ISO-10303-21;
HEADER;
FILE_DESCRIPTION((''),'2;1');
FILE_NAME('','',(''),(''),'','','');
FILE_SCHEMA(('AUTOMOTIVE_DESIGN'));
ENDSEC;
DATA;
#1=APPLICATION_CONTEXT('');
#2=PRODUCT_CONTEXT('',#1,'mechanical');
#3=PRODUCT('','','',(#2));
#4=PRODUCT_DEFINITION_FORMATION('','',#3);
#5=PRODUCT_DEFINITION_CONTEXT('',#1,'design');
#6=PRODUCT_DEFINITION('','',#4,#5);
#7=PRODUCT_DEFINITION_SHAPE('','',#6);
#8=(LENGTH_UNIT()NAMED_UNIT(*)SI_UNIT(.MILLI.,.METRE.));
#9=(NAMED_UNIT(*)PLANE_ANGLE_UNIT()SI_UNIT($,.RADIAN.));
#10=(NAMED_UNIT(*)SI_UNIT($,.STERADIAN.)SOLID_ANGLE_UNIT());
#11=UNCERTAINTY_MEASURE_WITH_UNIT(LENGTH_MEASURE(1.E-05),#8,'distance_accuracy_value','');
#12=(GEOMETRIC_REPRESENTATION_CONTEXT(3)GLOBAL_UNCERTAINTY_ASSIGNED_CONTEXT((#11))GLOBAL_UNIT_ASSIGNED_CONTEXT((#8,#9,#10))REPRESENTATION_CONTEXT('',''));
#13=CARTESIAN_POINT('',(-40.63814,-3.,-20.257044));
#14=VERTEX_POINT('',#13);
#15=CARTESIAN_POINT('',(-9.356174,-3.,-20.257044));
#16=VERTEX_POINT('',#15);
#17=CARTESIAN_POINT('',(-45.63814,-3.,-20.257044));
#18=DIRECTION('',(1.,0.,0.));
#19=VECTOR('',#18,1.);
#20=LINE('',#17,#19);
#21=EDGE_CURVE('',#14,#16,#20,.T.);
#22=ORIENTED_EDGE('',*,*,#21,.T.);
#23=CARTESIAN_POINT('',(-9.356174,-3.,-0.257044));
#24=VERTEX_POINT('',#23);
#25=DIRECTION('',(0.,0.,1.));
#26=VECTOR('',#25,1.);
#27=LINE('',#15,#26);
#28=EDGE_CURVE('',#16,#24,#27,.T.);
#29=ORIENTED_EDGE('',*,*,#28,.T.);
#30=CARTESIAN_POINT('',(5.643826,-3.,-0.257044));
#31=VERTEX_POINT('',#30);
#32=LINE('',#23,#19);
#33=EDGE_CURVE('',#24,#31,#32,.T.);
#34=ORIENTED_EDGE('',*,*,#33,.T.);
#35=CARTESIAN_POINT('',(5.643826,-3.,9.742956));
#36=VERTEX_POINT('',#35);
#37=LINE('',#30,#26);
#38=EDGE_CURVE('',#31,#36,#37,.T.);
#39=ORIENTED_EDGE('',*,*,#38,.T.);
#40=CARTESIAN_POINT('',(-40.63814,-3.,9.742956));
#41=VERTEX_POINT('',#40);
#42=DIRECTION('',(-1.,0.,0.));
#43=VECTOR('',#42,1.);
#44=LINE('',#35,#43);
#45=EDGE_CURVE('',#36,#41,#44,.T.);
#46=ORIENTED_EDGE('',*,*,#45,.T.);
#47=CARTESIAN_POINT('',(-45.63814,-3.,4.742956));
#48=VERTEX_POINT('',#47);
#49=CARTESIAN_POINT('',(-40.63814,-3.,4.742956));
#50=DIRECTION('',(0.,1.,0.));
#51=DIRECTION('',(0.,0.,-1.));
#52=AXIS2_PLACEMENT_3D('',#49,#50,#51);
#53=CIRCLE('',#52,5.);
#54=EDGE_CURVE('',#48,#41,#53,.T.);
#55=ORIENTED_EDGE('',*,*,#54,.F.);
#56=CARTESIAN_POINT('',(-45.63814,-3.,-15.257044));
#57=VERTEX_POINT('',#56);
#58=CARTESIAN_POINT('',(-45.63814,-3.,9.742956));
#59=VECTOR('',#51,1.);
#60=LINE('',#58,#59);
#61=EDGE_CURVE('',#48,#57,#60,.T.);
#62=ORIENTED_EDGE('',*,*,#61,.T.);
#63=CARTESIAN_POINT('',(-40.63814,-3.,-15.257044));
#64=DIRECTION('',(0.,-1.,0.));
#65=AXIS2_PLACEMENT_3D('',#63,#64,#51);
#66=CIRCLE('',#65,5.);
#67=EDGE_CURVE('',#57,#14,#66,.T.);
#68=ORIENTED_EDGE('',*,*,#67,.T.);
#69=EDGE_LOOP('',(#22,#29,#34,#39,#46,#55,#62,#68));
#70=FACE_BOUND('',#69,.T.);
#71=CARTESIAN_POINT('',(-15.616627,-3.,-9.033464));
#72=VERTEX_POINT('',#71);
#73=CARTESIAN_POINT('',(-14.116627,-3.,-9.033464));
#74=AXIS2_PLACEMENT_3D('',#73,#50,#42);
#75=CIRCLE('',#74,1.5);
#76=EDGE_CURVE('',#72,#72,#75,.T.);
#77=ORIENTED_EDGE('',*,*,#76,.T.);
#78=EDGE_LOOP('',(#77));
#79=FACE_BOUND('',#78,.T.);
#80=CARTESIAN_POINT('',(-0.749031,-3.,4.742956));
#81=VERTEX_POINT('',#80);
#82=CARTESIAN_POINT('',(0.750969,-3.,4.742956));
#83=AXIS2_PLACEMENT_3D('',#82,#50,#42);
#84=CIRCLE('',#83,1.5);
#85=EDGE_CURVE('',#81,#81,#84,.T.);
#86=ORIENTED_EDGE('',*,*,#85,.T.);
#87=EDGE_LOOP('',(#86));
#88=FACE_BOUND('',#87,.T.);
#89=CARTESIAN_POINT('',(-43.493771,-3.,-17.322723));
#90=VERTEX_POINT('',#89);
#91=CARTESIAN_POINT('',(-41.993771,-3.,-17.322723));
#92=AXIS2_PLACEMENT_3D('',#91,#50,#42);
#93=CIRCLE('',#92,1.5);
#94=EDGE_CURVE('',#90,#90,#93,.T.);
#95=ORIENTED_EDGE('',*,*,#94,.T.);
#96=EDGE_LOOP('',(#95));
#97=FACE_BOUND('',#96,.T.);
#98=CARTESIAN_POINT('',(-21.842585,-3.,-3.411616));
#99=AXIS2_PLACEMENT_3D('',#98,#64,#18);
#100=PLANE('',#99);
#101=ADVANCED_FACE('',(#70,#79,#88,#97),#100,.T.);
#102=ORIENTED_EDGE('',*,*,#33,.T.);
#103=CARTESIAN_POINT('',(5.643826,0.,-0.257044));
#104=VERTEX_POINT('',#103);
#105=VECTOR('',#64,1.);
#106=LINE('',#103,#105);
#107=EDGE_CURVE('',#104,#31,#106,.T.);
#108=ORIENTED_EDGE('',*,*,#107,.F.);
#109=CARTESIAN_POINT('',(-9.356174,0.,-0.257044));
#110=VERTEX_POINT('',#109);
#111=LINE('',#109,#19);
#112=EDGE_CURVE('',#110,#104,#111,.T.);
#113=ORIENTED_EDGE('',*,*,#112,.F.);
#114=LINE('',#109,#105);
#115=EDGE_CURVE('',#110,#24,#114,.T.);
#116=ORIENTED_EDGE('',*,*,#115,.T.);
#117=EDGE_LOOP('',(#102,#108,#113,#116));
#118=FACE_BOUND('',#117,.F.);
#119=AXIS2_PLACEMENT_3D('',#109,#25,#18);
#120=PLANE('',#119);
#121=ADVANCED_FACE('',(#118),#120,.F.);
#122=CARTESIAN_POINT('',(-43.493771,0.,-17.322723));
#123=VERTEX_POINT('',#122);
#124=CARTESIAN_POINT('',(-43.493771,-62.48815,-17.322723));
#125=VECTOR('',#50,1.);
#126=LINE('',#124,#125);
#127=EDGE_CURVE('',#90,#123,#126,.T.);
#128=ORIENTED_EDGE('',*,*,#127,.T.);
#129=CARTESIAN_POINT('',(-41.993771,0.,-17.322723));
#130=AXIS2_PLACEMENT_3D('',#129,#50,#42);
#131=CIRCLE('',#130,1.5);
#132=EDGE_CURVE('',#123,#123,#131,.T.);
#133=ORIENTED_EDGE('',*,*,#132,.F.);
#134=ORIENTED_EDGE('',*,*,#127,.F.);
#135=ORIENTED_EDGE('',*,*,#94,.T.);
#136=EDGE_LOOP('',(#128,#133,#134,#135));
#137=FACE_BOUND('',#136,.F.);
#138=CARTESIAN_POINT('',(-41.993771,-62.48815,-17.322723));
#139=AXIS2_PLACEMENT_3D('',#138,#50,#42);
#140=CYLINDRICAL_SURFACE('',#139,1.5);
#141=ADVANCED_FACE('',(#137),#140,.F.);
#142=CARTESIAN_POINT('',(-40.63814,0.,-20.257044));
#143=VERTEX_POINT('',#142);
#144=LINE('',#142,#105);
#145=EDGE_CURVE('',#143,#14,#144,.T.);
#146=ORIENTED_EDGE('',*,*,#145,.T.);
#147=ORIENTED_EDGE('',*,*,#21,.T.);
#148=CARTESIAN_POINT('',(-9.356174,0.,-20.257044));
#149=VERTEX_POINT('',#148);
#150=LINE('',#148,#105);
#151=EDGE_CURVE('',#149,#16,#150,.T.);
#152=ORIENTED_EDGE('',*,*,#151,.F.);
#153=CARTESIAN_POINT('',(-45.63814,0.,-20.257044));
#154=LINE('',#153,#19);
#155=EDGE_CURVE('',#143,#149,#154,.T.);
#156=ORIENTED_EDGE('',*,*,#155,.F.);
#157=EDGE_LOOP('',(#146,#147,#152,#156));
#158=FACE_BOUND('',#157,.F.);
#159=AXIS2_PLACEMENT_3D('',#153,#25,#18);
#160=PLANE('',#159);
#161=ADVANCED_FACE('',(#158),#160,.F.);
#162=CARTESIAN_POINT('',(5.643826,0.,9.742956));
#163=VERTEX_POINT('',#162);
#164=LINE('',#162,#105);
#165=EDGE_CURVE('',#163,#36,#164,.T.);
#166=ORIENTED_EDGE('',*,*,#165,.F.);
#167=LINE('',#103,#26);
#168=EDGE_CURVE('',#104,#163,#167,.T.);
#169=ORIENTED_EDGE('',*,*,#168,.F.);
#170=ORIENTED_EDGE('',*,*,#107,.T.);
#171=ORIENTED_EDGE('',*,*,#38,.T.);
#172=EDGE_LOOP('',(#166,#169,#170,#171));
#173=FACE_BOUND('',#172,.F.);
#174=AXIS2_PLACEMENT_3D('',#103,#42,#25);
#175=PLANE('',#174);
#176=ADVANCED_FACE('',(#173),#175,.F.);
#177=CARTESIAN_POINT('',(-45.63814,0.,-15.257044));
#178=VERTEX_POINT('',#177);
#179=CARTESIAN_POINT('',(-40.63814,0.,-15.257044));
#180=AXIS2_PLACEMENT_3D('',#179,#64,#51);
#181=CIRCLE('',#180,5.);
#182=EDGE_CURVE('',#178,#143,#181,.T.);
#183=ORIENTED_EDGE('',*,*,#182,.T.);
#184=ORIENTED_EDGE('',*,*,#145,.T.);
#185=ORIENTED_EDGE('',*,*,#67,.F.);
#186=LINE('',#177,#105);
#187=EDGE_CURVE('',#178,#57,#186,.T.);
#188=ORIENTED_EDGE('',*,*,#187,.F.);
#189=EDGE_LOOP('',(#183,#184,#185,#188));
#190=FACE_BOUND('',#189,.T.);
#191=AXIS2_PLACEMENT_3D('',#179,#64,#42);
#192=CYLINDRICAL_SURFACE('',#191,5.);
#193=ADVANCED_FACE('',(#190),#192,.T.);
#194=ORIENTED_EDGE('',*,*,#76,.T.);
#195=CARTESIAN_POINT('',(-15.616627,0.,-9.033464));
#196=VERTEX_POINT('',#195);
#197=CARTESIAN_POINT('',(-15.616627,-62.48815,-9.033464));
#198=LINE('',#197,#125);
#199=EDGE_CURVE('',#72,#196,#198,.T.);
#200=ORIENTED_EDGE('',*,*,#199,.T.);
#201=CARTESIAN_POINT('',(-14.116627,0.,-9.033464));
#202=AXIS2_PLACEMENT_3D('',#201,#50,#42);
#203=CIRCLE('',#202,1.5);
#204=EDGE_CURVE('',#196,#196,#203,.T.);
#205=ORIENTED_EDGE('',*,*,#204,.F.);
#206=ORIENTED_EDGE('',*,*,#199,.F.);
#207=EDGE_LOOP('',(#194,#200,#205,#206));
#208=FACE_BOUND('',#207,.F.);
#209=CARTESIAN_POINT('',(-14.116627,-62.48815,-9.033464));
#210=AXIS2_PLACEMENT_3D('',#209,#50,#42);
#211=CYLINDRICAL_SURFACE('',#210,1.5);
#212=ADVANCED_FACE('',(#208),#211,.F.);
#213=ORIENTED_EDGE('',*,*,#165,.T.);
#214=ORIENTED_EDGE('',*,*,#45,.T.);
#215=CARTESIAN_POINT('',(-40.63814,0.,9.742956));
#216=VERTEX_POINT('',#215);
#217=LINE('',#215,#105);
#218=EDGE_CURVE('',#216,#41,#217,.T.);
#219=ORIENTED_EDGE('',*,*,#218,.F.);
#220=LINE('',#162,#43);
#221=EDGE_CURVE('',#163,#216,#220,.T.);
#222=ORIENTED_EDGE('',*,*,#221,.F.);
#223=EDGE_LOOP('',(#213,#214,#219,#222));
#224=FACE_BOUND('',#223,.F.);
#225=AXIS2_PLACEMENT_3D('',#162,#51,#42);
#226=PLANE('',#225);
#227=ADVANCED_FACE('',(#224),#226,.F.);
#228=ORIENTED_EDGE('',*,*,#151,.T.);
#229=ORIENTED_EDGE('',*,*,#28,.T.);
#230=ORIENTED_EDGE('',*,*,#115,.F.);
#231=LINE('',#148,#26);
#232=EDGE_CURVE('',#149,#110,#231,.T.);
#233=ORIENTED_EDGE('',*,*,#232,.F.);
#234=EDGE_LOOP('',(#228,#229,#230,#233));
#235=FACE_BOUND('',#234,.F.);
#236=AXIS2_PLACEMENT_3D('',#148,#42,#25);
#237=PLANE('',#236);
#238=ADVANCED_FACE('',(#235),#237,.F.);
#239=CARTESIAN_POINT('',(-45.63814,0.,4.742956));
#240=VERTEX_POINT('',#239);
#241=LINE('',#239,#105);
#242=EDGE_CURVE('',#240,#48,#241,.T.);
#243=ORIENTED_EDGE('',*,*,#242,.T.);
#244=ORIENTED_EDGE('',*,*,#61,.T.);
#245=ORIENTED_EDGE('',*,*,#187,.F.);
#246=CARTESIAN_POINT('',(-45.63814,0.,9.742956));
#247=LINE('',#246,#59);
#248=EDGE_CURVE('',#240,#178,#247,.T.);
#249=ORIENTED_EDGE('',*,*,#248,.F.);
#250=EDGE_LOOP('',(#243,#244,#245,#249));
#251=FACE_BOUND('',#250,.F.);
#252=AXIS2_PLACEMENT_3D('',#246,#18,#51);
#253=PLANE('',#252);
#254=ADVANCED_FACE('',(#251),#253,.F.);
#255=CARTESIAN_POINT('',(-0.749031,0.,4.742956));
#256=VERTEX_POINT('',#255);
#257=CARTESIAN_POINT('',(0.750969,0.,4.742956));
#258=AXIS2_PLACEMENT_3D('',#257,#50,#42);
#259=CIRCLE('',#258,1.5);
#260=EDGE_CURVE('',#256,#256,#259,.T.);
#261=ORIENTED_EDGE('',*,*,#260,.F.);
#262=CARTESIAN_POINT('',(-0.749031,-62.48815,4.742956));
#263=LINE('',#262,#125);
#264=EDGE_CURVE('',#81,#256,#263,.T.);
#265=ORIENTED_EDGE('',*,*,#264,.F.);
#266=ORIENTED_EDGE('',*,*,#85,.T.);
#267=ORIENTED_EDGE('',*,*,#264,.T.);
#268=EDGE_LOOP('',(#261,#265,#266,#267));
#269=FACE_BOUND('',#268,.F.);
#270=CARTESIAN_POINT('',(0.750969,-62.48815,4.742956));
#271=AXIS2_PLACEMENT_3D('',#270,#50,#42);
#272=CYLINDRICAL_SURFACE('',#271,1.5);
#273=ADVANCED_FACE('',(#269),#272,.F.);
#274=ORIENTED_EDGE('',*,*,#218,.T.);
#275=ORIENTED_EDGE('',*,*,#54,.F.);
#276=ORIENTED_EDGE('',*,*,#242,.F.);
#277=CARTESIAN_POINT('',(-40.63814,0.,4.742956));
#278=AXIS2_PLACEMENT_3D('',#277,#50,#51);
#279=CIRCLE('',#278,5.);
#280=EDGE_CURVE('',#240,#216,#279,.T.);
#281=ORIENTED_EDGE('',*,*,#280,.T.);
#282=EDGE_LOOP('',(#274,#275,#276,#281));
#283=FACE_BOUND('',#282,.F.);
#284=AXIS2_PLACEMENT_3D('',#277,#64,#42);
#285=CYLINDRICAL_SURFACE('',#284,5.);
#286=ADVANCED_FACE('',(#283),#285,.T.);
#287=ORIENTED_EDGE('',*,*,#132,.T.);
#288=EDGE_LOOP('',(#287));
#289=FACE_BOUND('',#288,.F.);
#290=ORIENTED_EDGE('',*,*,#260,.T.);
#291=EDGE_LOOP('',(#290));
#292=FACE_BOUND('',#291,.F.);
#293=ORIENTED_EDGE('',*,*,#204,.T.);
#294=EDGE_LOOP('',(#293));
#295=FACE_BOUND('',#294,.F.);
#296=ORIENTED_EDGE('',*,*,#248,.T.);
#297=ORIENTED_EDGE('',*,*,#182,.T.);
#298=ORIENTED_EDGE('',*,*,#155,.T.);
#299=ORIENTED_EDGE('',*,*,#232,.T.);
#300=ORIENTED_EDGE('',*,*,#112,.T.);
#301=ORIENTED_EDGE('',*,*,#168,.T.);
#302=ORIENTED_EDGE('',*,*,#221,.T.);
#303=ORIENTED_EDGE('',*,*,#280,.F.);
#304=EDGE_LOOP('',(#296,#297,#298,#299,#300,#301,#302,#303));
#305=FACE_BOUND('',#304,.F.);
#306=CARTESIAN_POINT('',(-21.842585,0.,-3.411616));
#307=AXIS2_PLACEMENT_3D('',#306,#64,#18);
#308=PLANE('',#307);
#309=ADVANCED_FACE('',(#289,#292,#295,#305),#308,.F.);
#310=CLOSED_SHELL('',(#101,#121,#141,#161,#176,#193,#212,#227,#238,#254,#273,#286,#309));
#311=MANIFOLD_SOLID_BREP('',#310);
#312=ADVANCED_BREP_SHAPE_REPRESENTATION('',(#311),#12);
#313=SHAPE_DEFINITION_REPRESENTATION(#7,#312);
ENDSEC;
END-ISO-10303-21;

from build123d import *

# Parameters (mm, degrees)
F1_DEPTH = 3
F3_D     = 3
F4_R     = 5


with BuildPart() as f1:
    # F0 (on Front) → F1 (new body)
    with BuildSketch(Plane.XZ):
        Polygon((-45.63814, 9.742956), (-45.63814, -20.257044), (-9.356174, -20.257044), (-9.356174, -0.257044), (5.643826, -0.257044), (5.643826, 9.742956), align=None)
    extrude(amount=F1_DEPTH)

    # F3 (through all)
    with Locations(Plane.XZ.offset(3)):
        with Locations((-41.993771, -17.322723), (-14.116627, -9.033464), (0.750969, 4.742956)):
            Hole(F3_D / 2)

    # F4
    f4_edges = [f1.edges().sort_by_distance(p)[0] for p in [
        (-45.63814, -1.5, 9.742956),
        (-45.63814, -1.5, -20.257044),
    ]]
    fillet(f4_edges, radius=F4_R)


solid = f1.part
